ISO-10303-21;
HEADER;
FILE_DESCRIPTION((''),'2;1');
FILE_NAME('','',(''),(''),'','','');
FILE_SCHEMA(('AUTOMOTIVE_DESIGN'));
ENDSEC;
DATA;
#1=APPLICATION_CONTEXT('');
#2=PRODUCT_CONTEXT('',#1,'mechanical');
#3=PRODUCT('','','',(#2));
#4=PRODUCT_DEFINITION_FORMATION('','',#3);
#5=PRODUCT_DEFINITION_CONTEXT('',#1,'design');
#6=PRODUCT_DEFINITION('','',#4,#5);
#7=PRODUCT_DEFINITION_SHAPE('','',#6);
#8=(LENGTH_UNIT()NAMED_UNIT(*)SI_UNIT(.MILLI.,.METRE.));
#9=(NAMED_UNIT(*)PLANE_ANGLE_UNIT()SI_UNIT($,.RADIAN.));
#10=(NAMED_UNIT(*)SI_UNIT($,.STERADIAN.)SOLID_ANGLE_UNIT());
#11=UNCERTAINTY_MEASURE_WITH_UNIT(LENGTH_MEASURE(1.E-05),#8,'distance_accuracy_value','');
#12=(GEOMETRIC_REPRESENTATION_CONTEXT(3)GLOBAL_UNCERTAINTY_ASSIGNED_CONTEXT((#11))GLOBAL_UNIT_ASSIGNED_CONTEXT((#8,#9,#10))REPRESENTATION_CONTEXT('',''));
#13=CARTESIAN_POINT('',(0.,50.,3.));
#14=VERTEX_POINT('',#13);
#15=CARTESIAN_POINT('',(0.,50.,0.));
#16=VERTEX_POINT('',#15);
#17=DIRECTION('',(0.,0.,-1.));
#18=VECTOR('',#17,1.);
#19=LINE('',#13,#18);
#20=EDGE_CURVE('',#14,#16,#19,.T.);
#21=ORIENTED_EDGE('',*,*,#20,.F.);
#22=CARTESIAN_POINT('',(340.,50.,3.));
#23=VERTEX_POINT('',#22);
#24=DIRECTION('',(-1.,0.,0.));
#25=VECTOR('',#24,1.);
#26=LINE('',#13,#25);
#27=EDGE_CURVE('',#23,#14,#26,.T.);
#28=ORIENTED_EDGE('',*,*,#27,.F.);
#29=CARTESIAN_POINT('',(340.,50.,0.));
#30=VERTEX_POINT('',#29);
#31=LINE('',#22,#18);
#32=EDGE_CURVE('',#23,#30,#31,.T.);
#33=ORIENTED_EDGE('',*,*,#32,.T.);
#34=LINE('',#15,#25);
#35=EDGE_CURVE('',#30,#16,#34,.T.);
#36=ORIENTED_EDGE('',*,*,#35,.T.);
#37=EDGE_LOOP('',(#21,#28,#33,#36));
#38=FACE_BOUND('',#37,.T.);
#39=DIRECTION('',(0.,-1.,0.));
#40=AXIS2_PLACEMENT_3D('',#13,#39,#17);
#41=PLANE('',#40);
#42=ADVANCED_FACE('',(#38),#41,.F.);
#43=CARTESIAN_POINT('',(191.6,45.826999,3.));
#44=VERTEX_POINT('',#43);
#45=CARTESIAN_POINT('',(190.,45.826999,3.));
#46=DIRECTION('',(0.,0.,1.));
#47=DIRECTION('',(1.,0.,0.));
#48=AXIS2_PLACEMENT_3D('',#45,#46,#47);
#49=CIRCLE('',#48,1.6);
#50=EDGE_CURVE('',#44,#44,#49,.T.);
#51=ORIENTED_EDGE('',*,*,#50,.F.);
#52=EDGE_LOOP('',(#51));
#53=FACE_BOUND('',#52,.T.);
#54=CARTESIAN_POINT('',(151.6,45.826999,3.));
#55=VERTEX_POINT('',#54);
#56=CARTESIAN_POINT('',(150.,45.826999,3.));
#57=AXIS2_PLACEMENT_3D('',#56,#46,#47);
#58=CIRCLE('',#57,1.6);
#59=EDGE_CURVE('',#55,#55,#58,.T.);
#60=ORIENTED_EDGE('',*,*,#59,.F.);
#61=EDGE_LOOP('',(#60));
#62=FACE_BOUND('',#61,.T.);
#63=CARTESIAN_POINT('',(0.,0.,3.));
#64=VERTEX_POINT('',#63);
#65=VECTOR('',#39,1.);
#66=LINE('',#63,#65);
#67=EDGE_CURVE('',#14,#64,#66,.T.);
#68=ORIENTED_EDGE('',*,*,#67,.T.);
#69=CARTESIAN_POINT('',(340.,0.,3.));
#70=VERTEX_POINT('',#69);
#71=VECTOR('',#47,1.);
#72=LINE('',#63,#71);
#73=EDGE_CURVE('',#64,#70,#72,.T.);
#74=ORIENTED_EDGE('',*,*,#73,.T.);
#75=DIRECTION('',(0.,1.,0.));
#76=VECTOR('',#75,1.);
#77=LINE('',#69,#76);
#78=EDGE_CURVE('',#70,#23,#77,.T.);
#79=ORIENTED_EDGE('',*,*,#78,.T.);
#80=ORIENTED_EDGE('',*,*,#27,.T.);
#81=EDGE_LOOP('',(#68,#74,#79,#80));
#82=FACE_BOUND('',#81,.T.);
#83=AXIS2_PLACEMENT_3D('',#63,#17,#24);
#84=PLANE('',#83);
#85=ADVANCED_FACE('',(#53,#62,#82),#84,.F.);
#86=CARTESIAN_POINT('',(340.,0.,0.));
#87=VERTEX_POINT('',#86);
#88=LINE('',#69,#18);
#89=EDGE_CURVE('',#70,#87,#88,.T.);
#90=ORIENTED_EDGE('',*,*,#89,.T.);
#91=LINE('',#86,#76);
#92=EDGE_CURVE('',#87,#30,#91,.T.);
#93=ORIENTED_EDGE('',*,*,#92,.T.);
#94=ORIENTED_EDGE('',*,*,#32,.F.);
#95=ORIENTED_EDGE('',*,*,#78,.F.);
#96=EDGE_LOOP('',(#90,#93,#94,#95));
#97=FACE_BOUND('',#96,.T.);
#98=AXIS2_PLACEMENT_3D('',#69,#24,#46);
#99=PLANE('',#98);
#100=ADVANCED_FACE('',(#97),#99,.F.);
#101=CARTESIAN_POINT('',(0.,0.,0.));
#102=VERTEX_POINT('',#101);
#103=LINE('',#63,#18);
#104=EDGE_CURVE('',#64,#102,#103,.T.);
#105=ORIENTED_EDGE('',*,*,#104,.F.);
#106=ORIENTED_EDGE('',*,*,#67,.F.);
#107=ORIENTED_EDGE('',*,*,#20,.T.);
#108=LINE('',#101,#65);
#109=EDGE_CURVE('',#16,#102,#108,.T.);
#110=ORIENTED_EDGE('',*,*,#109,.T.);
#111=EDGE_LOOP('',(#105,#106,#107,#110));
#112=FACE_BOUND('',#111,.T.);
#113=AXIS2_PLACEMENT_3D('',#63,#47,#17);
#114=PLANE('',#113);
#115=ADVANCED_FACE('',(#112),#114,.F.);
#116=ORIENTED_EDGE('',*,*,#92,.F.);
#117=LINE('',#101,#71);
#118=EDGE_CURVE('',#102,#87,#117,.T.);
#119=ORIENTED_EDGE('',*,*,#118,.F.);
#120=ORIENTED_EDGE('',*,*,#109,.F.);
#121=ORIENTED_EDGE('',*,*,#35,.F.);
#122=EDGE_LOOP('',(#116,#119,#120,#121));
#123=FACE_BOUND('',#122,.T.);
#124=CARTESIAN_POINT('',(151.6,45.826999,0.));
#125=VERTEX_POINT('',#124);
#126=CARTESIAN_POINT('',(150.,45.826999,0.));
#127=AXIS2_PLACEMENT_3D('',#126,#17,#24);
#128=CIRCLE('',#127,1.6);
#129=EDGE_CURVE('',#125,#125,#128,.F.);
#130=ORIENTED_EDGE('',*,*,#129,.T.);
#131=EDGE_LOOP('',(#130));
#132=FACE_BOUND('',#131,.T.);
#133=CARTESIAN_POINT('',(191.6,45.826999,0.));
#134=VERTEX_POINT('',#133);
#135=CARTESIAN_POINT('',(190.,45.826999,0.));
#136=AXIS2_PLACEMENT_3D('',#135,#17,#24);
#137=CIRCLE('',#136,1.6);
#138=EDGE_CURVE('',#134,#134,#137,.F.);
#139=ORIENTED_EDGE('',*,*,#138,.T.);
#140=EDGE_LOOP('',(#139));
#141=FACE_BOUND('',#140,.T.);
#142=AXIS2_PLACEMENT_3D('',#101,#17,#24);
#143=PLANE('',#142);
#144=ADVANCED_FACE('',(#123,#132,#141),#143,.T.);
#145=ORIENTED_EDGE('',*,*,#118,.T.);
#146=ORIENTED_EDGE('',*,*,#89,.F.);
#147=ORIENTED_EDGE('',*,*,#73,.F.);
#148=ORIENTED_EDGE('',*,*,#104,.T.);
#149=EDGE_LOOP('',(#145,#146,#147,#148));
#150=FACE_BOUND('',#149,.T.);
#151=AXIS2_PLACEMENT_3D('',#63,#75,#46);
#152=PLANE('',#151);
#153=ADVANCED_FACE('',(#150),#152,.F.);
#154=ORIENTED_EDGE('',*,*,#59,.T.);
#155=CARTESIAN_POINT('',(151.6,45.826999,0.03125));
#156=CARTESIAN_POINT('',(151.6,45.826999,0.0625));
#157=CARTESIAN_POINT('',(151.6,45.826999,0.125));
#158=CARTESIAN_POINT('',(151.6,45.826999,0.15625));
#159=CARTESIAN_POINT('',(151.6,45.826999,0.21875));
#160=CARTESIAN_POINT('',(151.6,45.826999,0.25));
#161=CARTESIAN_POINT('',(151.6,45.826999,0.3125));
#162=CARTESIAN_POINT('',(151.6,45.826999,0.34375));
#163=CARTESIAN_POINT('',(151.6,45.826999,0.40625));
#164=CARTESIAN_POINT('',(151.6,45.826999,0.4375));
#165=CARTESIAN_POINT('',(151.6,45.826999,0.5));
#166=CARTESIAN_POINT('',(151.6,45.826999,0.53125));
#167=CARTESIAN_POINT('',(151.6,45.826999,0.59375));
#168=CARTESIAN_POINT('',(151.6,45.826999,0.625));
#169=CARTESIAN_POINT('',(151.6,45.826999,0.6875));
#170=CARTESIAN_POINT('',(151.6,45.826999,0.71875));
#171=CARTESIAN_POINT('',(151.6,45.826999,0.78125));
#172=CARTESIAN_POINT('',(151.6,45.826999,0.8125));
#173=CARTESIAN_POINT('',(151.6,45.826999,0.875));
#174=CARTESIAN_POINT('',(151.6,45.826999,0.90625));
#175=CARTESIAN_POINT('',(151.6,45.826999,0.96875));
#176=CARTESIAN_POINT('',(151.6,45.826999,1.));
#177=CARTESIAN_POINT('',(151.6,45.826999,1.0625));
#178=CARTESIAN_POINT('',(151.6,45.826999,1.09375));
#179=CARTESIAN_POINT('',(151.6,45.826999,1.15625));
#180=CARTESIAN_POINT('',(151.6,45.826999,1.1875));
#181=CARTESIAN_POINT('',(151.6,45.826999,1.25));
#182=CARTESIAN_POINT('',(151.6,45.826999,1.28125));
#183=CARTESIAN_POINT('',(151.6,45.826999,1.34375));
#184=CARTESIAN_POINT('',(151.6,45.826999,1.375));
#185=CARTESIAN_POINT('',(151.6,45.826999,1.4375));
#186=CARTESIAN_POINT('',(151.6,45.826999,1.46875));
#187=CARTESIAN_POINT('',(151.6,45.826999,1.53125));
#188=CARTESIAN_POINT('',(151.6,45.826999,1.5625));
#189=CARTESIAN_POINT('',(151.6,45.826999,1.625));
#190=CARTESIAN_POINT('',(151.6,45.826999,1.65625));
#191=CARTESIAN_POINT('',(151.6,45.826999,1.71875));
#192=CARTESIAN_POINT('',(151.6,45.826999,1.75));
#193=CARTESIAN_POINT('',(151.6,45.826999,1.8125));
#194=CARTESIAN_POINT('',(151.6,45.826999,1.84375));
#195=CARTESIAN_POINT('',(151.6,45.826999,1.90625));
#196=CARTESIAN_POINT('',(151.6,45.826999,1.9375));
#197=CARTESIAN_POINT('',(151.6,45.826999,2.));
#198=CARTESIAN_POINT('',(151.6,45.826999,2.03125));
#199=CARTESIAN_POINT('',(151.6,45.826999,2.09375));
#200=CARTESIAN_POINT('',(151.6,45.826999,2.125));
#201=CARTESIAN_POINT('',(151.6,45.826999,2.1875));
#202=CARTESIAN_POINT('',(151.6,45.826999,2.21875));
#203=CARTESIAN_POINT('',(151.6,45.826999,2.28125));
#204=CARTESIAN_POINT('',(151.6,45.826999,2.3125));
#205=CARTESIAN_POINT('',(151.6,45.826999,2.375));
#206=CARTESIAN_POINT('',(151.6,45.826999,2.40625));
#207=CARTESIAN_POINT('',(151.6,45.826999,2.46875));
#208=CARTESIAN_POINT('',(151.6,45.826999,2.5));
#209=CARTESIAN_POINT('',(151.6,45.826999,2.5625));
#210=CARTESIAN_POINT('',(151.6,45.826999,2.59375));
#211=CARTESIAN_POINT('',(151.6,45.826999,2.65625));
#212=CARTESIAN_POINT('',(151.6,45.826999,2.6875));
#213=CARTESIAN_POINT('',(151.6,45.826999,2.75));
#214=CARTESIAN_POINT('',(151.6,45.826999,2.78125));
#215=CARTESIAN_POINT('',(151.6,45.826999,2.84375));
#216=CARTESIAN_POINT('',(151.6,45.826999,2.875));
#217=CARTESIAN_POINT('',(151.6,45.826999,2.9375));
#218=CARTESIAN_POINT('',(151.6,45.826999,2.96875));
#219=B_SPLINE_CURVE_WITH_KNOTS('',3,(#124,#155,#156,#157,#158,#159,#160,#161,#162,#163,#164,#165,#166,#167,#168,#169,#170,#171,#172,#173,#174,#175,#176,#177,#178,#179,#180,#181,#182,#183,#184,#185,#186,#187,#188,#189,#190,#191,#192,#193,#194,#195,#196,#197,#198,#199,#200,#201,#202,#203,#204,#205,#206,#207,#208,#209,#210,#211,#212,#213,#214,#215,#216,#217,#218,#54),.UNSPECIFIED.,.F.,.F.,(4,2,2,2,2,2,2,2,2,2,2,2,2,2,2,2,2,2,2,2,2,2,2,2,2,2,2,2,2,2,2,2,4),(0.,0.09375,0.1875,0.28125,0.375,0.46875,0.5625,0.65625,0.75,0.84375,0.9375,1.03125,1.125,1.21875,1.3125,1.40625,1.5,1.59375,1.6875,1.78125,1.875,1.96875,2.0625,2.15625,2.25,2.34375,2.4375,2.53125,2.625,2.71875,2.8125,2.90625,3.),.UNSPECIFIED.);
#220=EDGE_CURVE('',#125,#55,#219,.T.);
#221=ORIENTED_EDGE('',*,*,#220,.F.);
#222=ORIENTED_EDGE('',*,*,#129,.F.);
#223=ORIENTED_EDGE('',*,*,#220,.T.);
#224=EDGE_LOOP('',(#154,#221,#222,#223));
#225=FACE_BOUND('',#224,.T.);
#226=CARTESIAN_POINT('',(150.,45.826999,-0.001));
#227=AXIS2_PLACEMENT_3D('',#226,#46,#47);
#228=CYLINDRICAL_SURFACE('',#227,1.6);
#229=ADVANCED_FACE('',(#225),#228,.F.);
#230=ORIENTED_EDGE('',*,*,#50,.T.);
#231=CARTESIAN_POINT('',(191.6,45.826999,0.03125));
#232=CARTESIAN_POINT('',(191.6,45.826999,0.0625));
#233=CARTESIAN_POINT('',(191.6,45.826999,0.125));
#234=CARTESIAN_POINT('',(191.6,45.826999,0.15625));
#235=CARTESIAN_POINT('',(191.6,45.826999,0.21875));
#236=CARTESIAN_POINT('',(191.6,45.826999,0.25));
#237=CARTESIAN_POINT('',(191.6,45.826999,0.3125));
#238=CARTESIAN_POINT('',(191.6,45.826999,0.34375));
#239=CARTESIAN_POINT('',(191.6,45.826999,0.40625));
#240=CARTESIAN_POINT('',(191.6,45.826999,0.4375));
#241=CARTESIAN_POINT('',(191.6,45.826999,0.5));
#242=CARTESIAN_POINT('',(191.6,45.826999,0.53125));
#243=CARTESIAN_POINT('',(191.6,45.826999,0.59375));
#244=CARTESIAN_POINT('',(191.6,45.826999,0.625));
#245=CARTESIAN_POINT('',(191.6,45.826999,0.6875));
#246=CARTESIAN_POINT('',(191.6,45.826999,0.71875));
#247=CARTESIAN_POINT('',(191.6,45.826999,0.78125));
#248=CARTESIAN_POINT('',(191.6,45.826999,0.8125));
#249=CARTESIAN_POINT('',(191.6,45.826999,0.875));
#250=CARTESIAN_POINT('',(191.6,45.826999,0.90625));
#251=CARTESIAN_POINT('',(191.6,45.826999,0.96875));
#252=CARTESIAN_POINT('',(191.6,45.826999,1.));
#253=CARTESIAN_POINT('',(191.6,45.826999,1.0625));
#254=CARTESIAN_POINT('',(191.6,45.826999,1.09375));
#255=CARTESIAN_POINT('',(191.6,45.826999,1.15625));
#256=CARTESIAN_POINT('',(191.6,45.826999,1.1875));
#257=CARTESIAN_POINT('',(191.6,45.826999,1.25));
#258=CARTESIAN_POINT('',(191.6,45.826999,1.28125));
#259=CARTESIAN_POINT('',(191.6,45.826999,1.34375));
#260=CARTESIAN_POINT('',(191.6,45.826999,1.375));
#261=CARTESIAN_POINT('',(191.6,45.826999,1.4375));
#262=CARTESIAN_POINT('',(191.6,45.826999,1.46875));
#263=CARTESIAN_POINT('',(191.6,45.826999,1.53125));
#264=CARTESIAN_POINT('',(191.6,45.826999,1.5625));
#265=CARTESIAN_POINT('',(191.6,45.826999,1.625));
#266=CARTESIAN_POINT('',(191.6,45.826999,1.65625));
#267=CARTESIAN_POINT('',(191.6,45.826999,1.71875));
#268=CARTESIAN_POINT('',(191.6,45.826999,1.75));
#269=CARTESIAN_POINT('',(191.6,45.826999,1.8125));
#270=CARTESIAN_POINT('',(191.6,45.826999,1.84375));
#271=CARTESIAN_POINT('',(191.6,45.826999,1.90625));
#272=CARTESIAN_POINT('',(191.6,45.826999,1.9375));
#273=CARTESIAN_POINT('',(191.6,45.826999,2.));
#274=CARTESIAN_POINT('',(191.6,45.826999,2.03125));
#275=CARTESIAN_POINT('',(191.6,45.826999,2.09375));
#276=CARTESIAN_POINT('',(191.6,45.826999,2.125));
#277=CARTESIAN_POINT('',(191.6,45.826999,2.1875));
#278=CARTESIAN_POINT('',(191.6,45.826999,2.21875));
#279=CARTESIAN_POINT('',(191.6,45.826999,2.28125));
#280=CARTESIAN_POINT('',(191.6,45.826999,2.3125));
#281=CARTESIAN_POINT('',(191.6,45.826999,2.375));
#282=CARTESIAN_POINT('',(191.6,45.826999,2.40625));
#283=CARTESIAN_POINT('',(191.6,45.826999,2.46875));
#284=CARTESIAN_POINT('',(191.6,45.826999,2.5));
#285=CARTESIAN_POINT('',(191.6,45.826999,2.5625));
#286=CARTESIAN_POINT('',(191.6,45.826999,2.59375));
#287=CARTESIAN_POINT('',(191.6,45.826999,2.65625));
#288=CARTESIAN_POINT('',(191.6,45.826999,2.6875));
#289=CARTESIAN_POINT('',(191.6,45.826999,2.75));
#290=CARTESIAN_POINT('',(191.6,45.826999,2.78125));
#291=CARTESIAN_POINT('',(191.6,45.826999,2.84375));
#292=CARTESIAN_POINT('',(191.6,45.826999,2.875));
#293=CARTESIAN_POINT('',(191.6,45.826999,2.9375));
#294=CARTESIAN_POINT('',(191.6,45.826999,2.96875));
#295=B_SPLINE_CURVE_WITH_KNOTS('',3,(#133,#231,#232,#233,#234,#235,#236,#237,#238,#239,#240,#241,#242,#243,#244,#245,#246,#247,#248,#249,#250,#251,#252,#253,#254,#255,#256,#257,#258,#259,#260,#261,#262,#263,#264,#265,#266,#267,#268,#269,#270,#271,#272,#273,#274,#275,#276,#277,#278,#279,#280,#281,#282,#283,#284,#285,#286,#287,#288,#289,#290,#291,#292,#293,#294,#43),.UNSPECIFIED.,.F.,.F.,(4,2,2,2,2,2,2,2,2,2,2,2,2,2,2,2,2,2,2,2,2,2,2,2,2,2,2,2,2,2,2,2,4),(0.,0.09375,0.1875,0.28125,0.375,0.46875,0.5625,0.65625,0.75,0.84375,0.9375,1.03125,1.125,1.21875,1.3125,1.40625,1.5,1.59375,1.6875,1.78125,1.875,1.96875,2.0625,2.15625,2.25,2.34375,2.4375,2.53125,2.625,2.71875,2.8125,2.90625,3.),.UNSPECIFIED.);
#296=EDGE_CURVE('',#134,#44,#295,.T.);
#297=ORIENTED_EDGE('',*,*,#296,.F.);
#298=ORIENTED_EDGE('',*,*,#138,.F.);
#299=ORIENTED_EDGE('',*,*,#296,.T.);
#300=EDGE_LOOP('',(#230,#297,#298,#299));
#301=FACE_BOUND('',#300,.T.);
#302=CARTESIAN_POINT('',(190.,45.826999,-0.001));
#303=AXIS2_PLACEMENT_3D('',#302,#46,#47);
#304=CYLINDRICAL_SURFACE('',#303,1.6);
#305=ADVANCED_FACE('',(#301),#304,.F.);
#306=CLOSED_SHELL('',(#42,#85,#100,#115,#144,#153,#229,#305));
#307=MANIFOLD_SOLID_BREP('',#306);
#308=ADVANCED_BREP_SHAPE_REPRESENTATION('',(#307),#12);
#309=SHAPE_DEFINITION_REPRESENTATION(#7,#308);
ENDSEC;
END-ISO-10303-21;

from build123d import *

# Parameters (mm, degrees)
SKETCH1_W           = 340
SKETCH1_H           = 50
BOSS_EXTRUDE1_DEPTH = 3
CUT_EXTRUDE1_REACH  = 345.67
SKETCH2_R           = 1.6


with BuildPart() as part:
    # Sketch1 → Boss-Extrude1 (new body)
    with BuildSketch(Plane.XY):
        with Locations((170, 25)):
            Rectangle(SKETCH1_W, SKETCH1_H)
    extrude(amount=BOSS_EXTRUDE1_DEPTH)

    # Sketch2 → Cut-Extrude1 (cut, up to next)
    with BuildSketch(Plane.XY.offset(3), mode=Mode.PRIVATE) as cut_extrude1_sk1:
        with Locations((150, 45.82699859)):
            Circle(SKETCH2_R)
    cut_extrude1_tool1 = extrude(cut_extrude1_sk1.sketch, amount=-CUT_EXTRUDE1_REACH, mode=Mode.PRIVATE) & part.part
    # Sketch2 → Cut-Extrude1 (cut, up to next)
    with BuildSketch(Plane.XY.offset(3), mode=Mode.PRIVATE) as cut_extrude1_sk2:
        with Locations((190, 45.82699859)):
            Circle(SKETCH2_R)
    cut_extrude1_tool2 = extrude(cut_extrude1_sk2.sketch, amount=-CUT_EXTRUDE1_REACH, mode=Mode.PRIVATE) & part.part
    add(cut_extrude1_tool1.solids().sort_by_distance((150, 45.826999, 3))[0], mode=Mode.SUBTRACT)
    add(cut_extrude1_tool2.solids().sort_by_distance((190, 45.826999, 3))[0], mode=Mode.SUBTRACT)


solid = part.part
